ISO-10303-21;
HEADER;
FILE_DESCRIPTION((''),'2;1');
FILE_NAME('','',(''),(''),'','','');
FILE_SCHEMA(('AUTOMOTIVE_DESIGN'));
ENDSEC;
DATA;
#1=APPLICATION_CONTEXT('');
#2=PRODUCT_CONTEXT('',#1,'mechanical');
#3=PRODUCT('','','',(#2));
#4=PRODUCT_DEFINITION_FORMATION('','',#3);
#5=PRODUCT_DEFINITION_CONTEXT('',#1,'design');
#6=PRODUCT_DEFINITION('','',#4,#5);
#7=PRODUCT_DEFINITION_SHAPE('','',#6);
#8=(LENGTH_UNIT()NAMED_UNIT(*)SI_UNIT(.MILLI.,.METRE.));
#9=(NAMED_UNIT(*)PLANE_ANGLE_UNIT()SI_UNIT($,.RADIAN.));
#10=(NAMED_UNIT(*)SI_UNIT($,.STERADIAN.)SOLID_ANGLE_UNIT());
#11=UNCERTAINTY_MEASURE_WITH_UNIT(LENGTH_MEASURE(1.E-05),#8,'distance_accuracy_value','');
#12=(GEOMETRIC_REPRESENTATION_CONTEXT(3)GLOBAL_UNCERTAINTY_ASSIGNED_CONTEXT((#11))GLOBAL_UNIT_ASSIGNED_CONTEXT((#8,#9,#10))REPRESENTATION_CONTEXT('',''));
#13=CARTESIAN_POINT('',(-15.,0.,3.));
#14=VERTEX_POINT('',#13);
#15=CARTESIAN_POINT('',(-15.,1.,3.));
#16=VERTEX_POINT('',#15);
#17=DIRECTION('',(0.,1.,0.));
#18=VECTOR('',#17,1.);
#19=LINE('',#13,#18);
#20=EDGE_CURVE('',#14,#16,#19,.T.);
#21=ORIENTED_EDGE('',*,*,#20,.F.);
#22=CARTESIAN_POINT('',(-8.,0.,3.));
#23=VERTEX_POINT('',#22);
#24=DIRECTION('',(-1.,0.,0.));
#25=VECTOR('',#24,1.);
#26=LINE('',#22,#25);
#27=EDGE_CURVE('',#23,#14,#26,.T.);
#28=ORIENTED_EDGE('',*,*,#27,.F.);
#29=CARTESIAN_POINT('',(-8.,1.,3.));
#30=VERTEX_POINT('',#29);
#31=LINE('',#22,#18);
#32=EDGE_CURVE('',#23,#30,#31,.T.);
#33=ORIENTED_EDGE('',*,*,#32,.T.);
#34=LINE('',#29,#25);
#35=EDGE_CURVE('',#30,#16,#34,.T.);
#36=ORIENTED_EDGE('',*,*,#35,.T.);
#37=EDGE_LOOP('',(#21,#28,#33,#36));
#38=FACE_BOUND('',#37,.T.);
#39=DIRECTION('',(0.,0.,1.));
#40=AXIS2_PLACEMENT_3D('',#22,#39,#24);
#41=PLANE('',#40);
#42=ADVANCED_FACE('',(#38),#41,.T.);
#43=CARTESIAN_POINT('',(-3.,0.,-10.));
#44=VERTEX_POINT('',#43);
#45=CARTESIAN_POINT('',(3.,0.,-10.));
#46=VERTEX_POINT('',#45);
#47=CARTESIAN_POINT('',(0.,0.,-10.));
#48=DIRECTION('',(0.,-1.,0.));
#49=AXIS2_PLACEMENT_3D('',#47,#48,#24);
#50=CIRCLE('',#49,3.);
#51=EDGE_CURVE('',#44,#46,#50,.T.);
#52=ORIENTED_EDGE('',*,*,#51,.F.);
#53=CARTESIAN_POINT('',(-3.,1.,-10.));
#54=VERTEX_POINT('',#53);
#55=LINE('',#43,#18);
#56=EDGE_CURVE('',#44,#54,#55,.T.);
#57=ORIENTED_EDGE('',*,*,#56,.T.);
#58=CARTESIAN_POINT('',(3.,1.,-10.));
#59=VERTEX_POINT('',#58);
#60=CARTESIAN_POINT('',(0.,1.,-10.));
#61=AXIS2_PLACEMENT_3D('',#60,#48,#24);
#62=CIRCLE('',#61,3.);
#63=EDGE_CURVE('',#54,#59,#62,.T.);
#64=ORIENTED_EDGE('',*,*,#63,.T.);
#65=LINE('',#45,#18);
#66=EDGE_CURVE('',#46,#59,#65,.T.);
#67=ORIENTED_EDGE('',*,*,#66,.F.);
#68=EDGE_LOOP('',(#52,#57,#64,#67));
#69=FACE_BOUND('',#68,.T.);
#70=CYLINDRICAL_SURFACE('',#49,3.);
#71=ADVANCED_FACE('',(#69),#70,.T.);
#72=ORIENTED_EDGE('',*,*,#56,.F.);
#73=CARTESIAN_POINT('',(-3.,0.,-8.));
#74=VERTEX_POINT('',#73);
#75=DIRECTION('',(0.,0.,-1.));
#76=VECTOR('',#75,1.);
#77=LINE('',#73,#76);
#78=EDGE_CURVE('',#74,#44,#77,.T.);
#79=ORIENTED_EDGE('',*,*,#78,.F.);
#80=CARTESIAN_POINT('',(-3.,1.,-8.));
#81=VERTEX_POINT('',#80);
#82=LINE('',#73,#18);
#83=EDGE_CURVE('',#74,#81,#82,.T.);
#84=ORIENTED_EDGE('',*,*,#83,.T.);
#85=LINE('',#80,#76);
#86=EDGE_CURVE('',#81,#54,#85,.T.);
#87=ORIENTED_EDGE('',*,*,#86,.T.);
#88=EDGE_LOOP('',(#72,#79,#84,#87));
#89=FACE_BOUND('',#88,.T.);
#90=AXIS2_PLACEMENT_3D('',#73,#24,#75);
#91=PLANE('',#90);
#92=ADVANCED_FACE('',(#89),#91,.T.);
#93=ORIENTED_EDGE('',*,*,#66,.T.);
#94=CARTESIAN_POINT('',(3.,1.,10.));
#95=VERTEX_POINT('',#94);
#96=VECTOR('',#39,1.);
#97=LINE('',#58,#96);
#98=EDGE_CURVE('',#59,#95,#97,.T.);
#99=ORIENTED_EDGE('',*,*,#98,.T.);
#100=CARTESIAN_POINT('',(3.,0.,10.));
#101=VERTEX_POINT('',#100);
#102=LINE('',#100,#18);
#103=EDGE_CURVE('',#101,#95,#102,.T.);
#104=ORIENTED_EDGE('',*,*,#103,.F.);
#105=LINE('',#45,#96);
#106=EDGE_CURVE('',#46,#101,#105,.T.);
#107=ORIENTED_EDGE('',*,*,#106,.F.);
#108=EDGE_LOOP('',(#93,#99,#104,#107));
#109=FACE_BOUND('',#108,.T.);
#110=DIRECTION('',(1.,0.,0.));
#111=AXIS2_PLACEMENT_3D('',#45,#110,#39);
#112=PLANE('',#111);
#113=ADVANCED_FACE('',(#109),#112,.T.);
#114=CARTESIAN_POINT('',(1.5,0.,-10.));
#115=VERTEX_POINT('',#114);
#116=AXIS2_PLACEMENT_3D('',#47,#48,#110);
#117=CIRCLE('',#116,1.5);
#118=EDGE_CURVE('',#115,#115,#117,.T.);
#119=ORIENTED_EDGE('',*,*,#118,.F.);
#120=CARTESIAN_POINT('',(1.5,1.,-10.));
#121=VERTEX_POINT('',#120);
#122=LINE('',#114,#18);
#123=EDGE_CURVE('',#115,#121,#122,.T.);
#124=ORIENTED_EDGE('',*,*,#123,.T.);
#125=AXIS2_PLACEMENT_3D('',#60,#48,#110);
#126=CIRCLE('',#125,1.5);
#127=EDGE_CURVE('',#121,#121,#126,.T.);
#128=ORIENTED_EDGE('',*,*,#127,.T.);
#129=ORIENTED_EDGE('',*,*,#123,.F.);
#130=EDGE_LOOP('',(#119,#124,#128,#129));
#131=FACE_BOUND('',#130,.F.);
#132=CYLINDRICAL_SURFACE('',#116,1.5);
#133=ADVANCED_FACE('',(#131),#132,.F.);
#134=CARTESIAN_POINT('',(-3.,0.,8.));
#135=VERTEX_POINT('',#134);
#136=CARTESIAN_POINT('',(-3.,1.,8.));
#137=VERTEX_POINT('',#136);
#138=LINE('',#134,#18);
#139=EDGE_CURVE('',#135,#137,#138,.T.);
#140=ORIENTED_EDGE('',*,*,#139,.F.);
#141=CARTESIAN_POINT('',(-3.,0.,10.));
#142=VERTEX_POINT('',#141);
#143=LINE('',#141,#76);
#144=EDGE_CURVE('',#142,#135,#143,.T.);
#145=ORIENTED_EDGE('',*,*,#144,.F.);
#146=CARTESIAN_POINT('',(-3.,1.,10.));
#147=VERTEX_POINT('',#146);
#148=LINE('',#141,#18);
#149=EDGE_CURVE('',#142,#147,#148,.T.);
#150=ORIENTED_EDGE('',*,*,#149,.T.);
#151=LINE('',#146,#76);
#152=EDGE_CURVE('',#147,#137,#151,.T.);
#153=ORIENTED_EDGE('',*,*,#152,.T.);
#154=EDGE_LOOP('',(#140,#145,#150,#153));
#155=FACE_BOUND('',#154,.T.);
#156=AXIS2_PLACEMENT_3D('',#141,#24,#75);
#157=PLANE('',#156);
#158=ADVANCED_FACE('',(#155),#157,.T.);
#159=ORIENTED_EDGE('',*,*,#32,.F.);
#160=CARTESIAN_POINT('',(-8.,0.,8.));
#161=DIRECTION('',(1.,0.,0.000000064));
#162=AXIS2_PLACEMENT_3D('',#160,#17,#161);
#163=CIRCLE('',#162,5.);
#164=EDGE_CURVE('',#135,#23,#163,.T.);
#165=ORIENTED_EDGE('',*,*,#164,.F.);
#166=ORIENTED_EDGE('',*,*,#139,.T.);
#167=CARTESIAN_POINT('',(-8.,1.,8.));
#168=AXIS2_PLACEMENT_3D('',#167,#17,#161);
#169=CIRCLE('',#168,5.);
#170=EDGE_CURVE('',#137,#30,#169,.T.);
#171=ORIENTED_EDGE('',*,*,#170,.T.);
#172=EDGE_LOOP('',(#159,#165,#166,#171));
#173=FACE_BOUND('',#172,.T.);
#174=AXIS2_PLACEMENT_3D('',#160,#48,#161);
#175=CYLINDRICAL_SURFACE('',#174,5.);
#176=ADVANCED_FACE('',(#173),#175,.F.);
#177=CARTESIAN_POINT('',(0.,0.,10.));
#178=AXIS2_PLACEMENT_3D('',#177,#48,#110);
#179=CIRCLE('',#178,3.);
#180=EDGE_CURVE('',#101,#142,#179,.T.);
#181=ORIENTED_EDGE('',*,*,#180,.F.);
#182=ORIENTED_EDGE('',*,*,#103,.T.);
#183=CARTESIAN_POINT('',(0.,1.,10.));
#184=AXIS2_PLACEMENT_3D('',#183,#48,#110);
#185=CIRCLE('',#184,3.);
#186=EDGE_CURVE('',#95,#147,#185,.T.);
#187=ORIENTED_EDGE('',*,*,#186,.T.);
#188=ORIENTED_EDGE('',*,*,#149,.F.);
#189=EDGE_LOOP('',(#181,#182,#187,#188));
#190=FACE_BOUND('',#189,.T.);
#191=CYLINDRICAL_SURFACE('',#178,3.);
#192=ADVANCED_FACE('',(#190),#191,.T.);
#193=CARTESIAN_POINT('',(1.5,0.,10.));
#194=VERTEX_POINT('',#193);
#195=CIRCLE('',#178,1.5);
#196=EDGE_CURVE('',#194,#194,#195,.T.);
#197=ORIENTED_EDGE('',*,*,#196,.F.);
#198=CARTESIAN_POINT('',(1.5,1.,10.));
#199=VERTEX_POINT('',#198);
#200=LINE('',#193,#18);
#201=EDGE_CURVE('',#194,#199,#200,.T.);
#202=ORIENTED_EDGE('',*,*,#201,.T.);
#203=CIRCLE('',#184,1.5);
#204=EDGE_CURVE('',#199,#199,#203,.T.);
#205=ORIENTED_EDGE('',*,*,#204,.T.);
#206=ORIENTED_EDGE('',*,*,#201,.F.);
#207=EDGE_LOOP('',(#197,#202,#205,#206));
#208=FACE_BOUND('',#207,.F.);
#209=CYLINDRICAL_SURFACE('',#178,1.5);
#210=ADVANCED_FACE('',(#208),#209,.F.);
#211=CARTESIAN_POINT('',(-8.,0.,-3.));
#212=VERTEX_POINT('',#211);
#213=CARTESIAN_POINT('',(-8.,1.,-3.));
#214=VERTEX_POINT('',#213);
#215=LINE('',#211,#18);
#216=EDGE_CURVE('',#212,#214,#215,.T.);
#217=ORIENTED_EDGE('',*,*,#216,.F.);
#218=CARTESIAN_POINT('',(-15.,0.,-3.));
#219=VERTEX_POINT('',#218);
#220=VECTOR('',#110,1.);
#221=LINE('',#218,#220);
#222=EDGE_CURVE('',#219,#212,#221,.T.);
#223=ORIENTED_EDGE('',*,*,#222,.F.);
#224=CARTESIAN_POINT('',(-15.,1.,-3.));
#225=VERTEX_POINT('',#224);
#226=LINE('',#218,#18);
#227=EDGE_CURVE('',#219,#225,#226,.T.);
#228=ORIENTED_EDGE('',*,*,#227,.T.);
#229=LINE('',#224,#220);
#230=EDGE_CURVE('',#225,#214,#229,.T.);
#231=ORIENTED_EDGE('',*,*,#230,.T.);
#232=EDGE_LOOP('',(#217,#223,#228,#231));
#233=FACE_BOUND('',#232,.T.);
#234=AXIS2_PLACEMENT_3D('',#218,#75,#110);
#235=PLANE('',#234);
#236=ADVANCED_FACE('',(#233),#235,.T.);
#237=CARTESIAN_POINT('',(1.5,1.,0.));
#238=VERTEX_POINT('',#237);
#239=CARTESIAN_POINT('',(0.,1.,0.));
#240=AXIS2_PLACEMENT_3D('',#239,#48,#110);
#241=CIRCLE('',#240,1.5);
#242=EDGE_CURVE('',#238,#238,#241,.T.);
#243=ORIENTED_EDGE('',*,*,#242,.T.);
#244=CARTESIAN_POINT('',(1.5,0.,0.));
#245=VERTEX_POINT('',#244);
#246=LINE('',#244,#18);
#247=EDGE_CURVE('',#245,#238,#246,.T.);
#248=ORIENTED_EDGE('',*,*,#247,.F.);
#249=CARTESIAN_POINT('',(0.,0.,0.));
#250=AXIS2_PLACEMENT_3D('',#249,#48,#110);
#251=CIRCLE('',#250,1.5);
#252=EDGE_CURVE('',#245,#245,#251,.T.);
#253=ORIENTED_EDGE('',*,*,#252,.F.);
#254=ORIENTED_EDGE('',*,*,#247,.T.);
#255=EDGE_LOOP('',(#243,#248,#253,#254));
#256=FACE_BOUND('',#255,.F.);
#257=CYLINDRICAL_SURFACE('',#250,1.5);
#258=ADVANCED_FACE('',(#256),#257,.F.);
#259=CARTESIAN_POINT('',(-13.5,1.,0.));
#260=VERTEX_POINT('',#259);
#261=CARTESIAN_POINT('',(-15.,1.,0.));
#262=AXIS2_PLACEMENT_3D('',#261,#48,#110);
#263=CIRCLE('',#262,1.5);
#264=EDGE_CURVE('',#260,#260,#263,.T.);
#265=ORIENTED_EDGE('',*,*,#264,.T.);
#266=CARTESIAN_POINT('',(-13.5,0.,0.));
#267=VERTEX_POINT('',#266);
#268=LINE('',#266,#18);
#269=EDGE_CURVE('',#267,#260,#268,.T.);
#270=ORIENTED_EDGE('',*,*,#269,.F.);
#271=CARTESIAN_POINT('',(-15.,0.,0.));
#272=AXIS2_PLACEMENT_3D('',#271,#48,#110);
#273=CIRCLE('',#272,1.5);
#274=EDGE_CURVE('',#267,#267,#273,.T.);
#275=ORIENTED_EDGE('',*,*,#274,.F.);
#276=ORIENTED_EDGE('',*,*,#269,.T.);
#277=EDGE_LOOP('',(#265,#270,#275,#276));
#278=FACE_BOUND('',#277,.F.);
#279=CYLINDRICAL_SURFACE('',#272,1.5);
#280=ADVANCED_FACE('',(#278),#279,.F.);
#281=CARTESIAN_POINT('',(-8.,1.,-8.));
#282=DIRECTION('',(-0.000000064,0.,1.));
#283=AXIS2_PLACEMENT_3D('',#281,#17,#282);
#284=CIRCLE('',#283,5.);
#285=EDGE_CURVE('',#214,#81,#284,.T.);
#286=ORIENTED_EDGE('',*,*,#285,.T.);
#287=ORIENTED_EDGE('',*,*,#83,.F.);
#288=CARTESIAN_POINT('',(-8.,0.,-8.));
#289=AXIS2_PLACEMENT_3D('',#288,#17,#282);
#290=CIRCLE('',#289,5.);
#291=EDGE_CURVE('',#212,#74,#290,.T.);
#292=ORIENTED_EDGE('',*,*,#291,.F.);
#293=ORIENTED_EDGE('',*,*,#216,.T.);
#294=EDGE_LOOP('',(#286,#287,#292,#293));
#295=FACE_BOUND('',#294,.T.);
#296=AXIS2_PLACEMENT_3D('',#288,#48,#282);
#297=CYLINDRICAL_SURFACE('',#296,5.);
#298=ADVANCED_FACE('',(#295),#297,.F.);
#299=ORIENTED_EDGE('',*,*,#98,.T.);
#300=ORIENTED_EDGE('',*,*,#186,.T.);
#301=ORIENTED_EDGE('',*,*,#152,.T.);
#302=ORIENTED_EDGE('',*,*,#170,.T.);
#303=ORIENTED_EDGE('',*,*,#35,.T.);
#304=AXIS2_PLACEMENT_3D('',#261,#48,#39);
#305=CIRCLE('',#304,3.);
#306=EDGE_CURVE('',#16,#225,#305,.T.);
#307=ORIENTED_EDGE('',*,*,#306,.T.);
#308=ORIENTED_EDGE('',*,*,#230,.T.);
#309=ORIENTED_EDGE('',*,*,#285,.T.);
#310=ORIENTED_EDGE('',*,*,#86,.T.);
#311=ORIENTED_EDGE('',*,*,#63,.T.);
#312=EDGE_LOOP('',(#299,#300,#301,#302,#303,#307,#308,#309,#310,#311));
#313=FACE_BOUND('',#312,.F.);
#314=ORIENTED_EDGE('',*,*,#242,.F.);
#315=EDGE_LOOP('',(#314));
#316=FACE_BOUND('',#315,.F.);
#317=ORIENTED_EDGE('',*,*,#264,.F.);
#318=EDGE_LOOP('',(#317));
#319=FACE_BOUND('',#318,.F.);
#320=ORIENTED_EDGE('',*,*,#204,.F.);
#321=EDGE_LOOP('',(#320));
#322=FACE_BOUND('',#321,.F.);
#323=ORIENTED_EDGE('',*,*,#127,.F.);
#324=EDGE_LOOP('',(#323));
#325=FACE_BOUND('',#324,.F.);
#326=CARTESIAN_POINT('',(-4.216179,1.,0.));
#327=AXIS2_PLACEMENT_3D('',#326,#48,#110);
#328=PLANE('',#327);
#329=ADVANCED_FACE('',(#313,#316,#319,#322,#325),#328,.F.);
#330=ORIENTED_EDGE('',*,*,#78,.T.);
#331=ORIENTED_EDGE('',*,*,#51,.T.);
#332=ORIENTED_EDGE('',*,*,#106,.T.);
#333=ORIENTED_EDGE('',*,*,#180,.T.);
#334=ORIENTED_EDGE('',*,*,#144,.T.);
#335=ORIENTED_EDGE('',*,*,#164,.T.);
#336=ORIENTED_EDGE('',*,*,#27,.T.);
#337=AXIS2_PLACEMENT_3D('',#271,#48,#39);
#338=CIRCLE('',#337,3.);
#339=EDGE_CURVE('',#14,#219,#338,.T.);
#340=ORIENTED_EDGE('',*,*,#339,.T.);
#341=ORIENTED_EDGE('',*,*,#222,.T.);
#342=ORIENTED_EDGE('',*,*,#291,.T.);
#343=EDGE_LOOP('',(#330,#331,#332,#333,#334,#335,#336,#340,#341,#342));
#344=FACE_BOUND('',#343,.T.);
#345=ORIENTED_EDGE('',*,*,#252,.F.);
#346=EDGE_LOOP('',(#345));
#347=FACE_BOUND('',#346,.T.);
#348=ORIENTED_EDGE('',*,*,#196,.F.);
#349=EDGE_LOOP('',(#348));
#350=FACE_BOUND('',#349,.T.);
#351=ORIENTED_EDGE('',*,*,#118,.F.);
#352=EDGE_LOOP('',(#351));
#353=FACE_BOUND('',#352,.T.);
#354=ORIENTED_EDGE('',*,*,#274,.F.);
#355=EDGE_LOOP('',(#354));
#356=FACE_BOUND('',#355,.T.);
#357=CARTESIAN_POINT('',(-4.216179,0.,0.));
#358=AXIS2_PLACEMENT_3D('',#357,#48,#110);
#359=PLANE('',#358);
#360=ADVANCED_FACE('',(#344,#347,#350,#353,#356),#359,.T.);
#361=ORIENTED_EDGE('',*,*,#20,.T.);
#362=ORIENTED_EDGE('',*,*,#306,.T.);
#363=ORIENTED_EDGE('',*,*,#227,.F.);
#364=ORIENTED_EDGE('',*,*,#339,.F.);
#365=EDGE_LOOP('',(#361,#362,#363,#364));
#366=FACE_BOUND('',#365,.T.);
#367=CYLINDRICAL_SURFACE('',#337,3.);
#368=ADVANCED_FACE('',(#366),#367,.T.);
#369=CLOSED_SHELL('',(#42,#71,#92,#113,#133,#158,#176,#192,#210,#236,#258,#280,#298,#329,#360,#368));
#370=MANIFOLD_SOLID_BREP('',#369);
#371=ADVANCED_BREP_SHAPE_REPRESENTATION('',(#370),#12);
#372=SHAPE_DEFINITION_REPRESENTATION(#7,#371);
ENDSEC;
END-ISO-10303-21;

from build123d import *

# Parameters (mm, degrees)
F0_R     = 1.5
F1_DEPTH = 1


with BuildPart() as f1:
    # F0 (on Front) → F1 (new body)
    with BuildSketch(Plane.XZ):
        with BuildLine():
            ThreePointArc((3, 10), (0, 13), (-3, 10))
            Line((-3, 10), (-3, 8))
            ThreePointArc((-3, 8), (-4.464466, 4.464466), (-8, 3))
            Line((-8, 3), (-15, 3))
            ThreePointArc((-15, 3), (-18, 0), (-15, -3))
            Line((-15, -3), (-8, -3))
            ThreePointArc((-8, -3), (-4.464466, -4.464466), (-3, -8))
            Line((-3, -8), (-3, -10))
            ThreePointArc((-3, -10), (0, -13), (3, -10))
            Line((3, -10), (3, 10))
        make_face()
        with Locations((0, -10)):
            Circle(F0_R, mode=Mode.SUBTRACT)
        with Locations((-15, 0)):
            Circle(F0_R, mode=Mode.SUBTRACT)
        Circle(F0_R, mode=Mode.SUBTRACT)
        with Locations((0, 10)):
            Circle(F0_R, mode=Mode.SUBTRACT)
    extrude(amount=-F1_DEPTH)


solid = f1.part
